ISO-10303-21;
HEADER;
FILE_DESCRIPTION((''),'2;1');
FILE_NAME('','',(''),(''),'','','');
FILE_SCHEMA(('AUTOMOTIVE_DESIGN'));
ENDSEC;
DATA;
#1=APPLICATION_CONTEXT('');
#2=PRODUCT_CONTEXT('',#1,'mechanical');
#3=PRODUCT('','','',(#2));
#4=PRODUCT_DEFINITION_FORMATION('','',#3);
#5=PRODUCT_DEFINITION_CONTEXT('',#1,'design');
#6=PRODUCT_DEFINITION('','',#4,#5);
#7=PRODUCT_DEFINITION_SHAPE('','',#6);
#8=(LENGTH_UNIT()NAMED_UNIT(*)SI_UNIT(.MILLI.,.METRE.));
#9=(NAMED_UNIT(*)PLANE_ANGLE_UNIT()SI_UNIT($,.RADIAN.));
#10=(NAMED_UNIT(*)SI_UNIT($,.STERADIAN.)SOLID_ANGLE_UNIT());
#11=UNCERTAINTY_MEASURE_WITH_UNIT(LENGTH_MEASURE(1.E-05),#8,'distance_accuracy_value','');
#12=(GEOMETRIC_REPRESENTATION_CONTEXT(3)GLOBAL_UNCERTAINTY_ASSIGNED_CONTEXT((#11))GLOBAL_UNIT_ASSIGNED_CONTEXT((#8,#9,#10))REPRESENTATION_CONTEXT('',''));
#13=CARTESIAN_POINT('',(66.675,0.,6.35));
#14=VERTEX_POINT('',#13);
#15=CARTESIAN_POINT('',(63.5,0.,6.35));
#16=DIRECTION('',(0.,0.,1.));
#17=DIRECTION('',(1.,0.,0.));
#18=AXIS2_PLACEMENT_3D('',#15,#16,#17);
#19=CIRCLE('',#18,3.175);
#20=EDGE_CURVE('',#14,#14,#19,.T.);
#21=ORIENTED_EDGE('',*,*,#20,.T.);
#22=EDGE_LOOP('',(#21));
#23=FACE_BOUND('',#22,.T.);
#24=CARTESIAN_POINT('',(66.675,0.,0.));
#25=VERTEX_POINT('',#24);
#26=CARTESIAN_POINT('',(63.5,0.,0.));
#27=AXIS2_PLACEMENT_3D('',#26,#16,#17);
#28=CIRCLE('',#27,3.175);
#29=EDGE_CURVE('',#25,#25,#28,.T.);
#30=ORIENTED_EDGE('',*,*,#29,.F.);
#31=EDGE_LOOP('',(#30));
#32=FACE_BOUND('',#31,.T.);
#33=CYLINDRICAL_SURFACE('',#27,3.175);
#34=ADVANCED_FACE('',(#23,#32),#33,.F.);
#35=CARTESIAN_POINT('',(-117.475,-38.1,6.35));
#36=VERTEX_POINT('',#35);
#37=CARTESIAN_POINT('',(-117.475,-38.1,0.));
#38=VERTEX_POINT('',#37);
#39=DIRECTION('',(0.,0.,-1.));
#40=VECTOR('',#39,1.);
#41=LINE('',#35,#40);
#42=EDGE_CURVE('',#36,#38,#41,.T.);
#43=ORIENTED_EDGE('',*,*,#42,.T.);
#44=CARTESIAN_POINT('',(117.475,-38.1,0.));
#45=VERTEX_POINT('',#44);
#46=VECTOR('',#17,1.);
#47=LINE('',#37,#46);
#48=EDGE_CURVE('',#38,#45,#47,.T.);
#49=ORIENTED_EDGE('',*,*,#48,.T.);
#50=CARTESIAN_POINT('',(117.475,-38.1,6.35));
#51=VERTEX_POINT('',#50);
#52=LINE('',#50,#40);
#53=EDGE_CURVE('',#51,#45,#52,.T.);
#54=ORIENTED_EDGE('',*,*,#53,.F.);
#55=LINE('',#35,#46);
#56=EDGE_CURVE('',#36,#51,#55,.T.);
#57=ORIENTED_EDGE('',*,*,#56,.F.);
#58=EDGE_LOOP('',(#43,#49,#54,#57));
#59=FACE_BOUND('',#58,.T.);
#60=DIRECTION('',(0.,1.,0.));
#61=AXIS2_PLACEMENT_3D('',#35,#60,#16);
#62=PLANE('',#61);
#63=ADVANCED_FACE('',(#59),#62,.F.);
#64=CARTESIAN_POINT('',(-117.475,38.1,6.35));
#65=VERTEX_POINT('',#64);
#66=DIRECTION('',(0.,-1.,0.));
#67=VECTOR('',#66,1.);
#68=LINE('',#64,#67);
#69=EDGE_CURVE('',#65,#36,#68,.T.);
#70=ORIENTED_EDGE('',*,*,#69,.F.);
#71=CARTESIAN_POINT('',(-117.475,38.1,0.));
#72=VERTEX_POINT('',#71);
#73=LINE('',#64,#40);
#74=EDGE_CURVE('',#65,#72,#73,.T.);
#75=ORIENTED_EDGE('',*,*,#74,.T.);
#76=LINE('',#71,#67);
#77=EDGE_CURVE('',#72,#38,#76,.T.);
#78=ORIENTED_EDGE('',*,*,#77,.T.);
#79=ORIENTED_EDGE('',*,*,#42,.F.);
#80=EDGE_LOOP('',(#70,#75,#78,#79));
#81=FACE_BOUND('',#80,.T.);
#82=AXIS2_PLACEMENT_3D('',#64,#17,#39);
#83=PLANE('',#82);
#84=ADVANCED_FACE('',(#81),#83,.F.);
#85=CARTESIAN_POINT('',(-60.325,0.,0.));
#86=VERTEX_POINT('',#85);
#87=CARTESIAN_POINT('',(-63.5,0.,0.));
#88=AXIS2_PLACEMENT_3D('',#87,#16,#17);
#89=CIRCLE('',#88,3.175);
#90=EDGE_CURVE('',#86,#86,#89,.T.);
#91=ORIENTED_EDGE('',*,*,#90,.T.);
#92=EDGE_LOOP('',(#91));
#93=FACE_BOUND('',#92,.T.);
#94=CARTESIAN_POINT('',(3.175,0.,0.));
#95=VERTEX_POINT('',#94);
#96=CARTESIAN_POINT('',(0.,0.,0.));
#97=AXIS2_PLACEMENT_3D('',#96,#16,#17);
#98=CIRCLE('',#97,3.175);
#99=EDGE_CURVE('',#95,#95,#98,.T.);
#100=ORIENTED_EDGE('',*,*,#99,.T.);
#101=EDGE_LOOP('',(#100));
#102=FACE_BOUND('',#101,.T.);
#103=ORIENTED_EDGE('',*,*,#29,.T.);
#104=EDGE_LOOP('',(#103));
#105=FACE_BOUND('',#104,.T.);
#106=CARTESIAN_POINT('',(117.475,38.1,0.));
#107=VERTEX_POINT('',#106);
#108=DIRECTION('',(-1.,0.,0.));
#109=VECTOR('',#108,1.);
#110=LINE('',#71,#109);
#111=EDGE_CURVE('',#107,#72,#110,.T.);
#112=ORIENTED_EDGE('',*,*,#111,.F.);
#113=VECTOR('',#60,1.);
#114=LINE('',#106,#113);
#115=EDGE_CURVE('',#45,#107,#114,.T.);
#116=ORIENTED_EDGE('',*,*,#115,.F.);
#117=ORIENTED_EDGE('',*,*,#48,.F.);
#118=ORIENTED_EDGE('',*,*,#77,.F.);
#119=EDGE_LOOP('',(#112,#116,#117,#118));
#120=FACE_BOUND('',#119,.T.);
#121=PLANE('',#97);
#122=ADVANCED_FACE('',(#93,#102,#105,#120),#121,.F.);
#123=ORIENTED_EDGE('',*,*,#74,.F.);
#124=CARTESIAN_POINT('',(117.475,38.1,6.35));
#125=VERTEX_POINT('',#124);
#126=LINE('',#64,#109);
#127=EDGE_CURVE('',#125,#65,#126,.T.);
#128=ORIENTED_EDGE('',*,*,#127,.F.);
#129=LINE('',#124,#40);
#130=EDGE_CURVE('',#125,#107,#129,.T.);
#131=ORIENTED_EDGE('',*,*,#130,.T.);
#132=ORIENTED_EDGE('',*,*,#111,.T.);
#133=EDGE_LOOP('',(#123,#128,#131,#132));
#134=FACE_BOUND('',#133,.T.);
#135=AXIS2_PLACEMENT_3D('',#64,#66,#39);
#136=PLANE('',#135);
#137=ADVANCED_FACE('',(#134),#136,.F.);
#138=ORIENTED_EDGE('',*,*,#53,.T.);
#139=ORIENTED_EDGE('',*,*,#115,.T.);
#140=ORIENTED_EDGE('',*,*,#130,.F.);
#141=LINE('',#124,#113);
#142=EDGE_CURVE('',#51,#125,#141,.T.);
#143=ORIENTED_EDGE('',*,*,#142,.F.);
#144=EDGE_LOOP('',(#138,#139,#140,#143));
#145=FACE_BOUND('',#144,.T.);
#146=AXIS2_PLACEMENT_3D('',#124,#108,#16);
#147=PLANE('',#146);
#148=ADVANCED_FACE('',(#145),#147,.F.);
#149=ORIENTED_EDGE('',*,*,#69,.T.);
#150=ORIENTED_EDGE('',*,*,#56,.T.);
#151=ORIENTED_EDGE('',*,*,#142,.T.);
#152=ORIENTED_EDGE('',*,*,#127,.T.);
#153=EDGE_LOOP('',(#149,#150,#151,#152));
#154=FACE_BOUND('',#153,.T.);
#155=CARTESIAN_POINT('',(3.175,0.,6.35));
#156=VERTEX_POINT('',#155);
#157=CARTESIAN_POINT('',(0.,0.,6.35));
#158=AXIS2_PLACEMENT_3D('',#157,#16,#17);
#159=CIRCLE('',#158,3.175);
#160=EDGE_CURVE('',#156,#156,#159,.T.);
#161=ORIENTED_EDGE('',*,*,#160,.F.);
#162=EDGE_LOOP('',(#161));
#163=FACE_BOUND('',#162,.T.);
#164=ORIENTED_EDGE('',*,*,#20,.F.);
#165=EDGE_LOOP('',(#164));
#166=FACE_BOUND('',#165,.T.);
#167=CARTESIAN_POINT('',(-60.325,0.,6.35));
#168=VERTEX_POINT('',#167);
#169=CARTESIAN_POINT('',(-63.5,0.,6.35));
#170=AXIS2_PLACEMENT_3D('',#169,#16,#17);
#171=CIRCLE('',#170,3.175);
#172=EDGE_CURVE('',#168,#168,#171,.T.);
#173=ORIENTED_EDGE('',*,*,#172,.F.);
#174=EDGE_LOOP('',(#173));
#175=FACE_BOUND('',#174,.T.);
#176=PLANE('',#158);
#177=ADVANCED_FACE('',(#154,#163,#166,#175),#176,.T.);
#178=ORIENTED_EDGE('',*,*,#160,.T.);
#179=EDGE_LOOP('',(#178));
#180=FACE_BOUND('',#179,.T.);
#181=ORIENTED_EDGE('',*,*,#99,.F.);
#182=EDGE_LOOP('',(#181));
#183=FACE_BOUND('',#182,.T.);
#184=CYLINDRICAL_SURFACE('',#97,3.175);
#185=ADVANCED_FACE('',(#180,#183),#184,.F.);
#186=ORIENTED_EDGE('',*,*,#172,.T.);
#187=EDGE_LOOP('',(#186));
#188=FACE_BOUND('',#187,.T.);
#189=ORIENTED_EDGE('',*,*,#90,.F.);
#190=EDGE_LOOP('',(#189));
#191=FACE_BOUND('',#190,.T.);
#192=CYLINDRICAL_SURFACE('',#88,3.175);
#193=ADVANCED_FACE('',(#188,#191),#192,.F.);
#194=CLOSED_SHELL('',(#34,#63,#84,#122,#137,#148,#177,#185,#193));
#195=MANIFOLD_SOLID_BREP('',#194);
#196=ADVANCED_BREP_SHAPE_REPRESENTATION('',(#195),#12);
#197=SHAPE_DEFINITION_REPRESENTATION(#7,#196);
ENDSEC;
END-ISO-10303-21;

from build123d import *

# Parameters (mm, degrees)
CROQUIS1_W              = 234.95
CROQUIS1_H              = 76.2
SALIENTE_EXTRUIR1_DEPTH = 6.35
CROQUIS2_R              = 3.175
CORTAR_EXTRUIR1_DEPTH   = 7.35


with BuildPart() as part:
    # Croquis1 → Saliente-Extruir1 (new body)
    with BuildSketch(Plane.XY):
        Rectangle(CROQUIS1_W, CROQUIS1_H)
    extrude(amount=SALIENTE_EXTRUIR1_DEPTH)

    # Croquis2 → Cortar-Extruir1 (cut, through all)
    with BuildSketch(Plane.XY.offset(6.35)):
        with BuildLine():
            ThreePointArc((3.175, 0), (2.24506403, 2.24506403), (0, 3.175))
            Line((0, 3.175), (0, -3.175))
            ThreePointArc((0, -3.175), (2.24506403, -2.24506403), (3.175, 0))
        make_face()
        with BuildLine():
            Line((0, -3.175), (0, 3.175))
            ThreePointArc((0, 3.175), (-3.175, 0), (0, -3.175))
        make_face()
        with Locations((-63.5, 0)):
            Circle(CROQUIS2_R)
        with Locations((63.5, 0)):
            Circle(CROQUIS2_R)
    extrude(amount=-CORTAR_EXTRUIR1_DEPTH, mode=Mode.SUBTRACT)


solid = part.part
